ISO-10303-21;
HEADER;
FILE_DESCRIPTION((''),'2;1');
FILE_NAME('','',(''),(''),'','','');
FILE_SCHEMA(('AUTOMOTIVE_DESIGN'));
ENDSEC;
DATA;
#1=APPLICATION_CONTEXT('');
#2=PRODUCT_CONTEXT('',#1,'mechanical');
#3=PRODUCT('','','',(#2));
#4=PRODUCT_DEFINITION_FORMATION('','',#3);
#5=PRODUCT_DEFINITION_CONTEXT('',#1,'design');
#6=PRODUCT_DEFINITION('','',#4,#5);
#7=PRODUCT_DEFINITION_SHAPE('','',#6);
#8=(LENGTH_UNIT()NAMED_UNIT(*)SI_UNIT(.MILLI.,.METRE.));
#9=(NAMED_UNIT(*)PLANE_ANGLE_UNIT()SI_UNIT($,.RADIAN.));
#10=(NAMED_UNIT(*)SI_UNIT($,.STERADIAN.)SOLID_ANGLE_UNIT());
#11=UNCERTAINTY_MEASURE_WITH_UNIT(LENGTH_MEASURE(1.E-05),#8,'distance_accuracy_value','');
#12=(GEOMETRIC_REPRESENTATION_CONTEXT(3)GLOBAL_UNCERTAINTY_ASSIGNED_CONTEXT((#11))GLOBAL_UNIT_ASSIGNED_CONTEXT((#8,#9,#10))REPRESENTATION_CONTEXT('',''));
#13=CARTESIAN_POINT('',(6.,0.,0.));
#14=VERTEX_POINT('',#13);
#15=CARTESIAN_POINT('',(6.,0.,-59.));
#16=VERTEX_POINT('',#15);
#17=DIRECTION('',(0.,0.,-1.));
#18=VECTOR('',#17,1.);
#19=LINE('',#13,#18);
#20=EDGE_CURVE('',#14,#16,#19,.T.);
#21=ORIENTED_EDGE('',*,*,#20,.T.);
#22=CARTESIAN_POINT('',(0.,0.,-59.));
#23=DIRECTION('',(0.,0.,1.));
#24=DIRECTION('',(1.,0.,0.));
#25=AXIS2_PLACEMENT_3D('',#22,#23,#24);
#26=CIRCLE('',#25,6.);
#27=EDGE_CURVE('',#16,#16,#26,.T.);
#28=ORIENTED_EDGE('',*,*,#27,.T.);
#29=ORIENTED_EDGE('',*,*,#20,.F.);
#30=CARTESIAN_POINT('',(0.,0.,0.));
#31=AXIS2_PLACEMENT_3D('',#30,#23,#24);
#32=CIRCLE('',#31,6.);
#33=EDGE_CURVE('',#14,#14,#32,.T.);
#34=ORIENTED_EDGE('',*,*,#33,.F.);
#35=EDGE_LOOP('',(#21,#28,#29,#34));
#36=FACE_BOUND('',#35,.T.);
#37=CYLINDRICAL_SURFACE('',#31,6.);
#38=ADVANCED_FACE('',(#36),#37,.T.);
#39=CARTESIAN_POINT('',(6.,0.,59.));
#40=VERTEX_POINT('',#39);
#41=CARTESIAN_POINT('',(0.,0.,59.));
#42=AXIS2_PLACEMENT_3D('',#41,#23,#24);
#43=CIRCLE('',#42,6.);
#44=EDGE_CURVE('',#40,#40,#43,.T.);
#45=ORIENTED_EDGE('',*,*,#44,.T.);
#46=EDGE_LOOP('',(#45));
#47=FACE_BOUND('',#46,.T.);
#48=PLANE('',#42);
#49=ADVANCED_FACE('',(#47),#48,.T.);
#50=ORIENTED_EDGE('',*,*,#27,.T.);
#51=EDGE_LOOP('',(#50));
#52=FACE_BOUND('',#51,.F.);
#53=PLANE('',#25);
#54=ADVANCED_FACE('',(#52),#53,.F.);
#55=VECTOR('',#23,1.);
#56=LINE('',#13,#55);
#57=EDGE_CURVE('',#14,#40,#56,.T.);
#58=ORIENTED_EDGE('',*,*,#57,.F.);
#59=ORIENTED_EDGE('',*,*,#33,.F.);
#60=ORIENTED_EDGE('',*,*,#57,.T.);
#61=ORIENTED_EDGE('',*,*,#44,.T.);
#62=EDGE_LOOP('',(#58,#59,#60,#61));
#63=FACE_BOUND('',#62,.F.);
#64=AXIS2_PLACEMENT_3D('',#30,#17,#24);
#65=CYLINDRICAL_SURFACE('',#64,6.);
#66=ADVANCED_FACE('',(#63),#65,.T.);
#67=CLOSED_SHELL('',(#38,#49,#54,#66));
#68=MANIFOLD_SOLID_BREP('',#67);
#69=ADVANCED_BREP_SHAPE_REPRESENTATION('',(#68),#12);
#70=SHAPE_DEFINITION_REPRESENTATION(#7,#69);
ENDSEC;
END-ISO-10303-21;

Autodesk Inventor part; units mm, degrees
ref_plane "YZ Plane" through (0, 0, 0) normal (1, 0, 0) x (0, 1, 0)
ref_plane "XZ Plane" through (0, 0, 0) normal (0, 1, 0) x (-1, 0, 0)
ref_plane "XY Plane" through (0, 0, 0) normal (0, 0, 1) x (1, 0, 0)
sketch "Sketch1" plane through (0, 0, 0) normal (0, 0, 1) x (1, 0, 0)
  circle A0 centre (0, 0) radius 6
  dimension "d0" = 12
extrude "Extrusion1" add sketch "Sketch1" along normal mid plane 118
equation "\"d0\" = Шпил_пласт_НОС_диам_шпильки"
equation "\"Шпил_пласт_НОС_диам_шпильки\" = 12"
properties part number "ДМФ 042 шпилька 1"
